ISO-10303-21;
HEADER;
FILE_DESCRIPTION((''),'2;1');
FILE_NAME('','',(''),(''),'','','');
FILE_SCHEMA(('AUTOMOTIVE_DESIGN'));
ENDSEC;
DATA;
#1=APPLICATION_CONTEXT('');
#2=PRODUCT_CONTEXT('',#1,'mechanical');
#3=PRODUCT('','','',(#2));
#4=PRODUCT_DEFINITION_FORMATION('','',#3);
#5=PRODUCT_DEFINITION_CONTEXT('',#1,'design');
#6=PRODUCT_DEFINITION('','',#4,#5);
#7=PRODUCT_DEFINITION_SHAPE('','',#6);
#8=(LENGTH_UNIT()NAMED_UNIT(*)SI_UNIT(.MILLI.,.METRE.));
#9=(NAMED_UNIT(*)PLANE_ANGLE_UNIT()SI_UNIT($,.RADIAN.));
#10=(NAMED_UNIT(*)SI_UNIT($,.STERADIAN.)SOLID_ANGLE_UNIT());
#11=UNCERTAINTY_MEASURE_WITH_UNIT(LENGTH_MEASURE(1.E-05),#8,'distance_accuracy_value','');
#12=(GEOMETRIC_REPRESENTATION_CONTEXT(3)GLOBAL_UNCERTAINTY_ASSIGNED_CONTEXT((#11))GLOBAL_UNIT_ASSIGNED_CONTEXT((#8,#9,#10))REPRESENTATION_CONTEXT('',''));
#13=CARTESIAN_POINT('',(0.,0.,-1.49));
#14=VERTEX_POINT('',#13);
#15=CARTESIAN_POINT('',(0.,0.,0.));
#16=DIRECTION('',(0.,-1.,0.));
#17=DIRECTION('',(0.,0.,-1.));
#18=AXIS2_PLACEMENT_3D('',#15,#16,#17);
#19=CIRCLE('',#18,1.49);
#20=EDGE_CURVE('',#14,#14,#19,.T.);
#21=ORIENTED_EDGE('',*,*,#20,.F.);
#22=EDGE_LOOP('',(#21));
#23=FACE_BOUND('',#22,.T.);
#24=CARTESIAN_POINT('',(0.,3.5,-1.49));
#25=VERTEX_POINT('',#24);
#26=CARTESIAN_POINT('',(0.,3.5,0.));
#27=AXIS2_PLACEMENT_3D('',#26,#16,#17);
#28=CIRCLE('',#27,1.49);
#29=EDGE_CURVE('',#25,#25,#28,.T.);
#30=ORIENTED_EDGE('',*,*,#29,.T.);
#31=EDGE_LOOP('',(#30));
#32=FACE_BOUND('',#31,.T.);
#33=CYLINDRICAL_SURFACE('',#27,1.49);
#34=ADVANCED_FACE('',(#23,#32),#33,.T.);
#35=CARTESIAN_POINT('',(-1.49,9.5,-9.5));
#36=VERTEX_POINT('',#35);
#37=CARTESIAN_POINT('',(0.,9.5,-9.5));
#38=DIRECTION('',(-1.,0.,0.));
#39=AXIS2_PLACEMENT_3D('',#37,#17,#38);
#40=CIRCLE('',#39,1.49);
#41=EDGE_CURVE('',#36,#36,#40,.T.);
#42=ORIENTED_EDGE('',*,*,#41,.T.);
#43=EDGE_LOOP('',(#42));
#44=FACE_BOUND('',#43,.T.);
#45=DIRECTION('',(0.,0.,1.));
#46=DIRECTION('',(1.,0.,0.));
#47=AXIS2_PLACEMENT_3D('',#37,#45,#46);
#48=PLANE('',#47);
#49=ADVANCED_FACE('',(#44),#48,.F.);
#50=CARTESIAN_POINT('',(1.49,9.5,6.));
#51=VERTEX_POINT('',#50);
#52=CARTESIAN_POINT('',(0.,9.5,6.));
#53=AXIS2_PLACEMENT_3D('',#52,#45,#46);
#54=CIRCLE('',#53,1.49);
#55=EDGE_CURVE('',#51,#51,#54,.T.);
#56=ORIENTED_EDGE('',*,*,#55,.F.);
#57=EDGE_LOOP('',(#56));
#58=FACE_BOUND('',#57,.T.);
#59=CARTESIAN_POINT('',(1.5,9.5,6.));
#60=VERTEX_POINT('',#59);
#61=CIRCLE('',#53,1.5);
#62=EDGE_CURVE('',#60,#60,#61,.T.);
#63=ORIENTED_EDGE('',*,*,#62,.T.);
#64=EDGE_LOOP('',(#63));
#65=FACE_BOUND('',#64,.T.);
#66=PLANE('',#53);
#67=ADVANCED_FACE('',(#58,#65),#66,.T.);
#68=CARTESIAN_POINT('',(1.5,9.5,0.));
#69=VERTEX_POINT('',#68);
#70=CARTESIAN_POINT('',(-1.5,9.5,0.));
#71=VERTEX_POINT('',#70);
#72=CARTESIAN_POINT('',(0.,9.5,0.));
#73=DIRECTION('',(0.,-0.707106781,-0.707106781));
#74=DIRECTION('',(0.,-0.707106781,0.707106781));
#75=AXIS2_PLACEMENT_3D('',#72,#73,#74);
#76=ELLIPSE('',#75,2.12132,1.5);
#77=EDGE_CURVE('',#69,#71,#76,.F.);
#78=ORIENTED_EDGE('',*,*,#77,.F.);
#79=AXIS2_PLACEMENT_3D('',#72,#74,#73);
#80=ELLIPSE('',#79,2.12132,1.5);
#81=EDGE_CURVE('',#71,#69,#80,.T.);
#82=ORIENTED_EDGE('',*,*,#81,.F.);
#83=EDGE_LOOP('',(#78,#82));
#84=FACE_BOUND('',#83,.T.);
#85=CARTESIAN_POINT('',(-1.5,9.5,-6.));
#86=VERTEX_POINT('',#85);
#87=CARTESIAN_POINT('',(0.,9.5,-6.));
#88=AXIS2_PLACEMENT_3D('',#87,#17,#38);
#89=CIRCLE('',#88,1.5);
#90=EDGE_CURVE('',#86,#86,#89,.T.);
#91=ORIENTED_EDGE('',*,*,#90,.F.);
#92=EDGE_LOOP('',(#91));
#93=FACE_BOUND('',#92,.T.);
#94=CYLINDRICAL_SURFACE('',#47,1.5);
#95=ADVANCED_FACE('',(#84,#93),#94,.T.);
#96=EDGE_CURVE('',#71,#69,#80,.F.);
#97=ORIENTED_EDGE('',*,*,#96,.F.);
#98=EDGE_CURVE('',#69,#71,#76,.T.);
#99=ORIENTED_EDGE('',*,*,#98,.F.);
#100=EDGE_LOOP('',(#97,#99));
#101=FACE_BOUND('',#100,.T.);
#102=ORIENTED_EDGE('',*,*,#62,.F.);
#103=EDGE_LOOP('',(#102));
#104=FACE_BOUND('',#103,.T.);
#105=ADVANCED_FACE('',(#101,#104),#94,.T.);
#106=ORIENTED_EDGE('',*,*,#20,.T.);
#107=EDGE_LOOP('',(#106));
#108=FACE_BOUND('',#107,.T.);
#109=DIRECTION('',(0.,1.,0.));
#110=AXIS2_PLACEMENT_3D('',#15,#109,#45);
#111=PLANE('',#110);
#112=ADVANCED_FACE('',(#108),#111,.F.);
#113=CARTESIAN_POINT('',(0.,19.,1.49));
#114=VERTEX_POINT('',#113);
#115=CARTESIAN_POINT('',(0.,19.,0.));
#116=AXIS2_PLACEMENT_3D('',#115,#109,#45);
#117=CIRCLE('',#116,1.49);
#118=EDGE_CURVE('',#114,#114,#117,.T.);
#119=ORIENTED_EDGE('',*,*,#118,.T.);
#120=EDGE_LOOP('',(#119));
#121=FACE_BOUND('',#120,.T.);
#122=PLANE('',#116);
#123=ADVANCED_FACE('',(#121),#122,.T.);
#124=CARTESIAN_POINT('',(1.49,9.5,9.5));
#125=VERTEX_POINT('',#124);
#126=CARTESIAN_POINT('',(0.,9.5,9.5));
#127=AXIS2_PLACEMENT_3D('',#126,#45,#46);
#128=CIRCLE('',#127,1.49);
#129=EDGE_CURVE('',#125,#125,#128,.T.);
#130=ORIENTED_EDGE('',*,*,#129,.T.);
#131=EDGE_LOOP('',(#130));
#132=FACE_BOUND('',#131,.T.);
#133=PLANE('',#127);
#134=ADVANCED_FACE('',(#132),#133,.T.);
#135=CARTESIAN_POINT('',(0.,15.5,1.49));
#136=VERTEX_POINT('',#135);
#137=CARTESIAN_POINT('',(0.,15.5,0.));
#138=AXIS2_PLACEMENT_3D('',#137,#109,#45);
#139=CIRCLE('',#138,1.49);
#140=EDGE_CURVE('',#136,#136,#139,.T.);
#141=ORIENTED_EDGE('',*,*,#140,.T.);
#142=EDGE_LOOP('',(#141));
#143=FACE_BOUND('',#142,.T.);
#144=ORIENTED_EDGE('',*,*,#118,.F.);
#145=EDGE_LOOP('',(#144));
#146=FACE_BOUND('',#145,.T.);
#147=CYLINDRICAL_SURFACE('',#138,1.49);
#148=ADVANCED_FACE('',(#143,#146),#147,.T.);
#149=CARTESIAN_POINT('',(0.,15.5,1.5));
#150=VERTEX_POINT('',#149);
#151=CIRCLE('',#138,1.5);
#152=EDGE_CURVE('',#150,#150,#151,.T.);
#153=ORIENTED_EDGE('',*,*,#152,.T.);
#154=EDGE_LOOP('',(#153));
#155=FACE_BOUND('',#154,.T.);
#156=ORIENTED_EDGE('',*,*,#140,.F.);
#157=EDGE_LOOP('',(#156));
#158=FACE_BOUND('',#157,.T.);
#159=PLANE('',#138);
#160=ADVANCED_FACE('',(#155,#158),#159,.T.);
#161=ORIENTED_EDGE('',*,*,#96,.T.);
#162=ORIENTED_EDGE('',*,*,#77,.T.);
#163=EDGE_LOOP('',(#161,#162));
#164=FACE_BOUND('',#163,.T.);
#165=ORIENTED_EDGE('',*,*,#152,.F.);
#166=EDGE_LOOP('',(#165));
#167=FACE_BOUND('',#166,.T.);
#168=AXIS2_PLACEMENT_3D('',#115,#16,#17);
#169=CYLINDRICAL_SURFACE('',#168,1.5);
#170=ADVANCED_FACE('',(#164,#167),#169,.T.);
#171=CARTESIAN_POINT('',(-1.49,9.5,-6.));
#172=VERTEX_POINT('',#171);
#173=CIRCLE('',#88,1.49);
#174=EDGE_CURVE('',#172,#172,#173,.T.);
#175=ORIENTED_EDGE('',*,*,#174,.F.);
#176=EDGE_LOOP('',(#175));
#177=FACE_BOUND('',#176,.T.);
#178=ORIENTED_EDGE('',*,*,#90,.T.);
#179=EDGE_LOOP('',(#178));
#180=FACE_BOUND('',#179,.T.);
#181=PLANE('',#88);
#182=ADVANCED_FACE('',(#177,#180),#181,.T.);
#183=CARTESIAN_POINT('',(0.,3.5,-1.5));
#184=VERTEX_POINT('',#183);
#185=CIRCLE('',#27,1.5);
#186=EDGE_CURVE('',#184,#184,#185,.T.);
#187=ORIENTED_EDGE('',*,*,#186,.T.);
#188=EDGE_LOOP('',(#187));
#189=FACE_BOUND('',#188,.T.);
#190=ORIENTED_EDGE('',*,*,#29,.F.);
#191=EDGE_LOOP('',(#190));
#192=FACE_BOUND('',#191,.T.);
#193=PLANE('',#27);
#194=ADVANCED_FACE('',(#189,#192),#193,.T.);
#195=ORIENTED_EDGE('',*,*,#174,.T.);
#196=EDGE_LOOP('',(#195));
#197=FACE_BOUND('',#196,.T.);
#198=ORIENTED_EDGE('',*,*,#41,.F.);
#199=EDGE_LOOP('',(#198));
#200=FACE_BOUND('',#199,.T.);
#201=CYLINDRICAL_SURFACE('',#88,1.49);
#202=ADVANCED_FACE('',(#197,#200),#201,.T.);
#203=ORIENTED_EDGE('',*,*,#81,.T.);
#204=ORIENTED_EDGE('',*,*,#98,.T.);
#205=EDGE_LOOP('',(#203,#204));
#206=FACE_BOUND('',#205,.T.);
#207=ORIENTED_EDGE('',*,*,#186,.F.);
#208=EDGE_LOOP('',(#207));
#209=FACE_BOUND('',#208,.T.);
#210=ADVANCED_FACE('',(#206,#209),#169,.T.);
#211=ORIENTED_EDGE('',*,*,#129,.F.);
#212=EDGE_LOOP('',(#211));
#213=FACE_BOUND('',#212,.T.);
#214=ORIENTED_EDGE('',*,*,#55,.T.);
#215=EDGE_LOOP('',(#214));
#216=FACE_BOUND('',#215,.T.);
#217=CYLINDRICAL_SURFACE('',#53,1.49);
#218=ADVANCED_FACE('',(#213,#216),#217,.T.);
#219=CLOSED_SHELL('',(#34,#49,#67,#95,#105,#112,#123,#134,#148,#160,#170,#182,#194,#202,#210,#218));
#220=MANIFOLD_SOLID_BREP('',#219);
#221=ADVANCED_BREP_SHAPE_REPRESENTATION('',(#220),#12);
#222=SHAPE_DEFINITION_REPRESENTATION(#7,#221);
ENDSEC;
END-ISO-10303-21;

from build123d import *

# Parameters (mm, degrees)
SKETCH1_R                = 1.5
BOSS_EXTRUDE1_DEPTH      = 19
BOSS_EXTRUDE2_DEPTH      = 9.5
BOSS_EXTRUDE2_DEPTH_BACK = 9.5
SKETCH2_R                = 1.5
SKETCH3_R                = 1.5
SKETCH3_R_2              = 1.49
CUT_EXTRUDE1_DEPTH       = 3.5
CUT_EXTRUDE2_START       = -3.5
SKETCH4_R                = 1.5
SKETCH4_R_2              = 1.49
CUT_EXTRUDE2_DEPTH       = 3.5
CUT_EXTRUDE3_START       = -3.5
SKETCH5_R                = 1.5
SKETCH5_R_2              = 1.49
CUT_EXTRUDE3_DEPTH       = 3.5
SKETCH6_R                = 1.5
SKETCH6_R_2              = 1.49
CUT_EXTRUDE4_DEPTH       = 3.5


with BuildPart() as part:
    # Sketch1 → Boss-Extrude1 (new body)
    with BuildSketch(Plane(origin=(0, 0, 0), x_dir=(1, 0, 0), z_dir=(0, 1, 0))):
        Circle(SKETCH1_R)
    extrude(amount=BOSS_EXTRUDE1_DEPTH)

    # Sketch2 → Boss-Extrude2 (add, two sides: drawn at the far end of the back side and taken through both)
    with BuildSketch(Plane.XY.offset(-BOSS_EXTRUDE2_DEPTH_BACK)):
        with Locations((0, 9.5)):
            Circle(SKETCH2_R)
    extrude(amount=BOSS_EXTRUDE2_DEPTH + BOSS_EXTRUDE2_DEPTH_BACK)

    # Sketch3 → Cut-Extrude1 (cut)
    with BuildSketch(Plane(origin=(0, 0, -9.5), x_dir=(-1, 0, 0), z_dir=(0, 0, -1))):
        with Locations((0, 9.5)):
            Circle(SKETCH3_R)
        with Locations((0, 9.5)):
            Circle(SKETCH3_R_2, mode=Mode.SUBTRACT)
    extrude(amount=-CUT_EXTRUDE1_DEPTH, mode=Mode.SUBTRACT)

    # Sketch4 → Cut-Extrude2 (cut)
    with BuildSketch(Plane.XY.offset(9.5).offset(CUT_EXTRUDE2_START)):
        with Locations((0, 9.5)):
            Circle(SKETCH4_R)
        with Locations((0, 9.5)):
            Circle(SKETCH4_R_2, mode=Mode.SUBTRACT)
    extrude(amount=CUT_EXTRUDE2_DEPTH, mode=Mode.SUBTRACT)

    # Sketch5 → Cut-Extrude3 (cut)
    with BuildSketch(Plane(origin=(0, 19, 0), x_dir=(1, 0, 0), z_dir=(0, 1, 0)).offset(CUT_EXTRUDE3_START)):
        Circle(SKETCH5_R)
        Circle(SKETCH5_R_2, mode=Mode.SUBTRACT)
    extrude(amount=CUT_EXTRUDE3_DEPTH, mode=Mode.SUBTRACT)

    # Sketch6 → Cut-Extrude4 (cut)
    with BuildSketch(Plane.XZ):
        Circle(SKETCH6_R)
        Circle(SKETCH6_R_2, mode=Mode.SUBTRACT)
    extrude(amount=-CUT_EXTRUDE4_DEPTH, mode=Mode.SUBTRACT)


solid = part.part
